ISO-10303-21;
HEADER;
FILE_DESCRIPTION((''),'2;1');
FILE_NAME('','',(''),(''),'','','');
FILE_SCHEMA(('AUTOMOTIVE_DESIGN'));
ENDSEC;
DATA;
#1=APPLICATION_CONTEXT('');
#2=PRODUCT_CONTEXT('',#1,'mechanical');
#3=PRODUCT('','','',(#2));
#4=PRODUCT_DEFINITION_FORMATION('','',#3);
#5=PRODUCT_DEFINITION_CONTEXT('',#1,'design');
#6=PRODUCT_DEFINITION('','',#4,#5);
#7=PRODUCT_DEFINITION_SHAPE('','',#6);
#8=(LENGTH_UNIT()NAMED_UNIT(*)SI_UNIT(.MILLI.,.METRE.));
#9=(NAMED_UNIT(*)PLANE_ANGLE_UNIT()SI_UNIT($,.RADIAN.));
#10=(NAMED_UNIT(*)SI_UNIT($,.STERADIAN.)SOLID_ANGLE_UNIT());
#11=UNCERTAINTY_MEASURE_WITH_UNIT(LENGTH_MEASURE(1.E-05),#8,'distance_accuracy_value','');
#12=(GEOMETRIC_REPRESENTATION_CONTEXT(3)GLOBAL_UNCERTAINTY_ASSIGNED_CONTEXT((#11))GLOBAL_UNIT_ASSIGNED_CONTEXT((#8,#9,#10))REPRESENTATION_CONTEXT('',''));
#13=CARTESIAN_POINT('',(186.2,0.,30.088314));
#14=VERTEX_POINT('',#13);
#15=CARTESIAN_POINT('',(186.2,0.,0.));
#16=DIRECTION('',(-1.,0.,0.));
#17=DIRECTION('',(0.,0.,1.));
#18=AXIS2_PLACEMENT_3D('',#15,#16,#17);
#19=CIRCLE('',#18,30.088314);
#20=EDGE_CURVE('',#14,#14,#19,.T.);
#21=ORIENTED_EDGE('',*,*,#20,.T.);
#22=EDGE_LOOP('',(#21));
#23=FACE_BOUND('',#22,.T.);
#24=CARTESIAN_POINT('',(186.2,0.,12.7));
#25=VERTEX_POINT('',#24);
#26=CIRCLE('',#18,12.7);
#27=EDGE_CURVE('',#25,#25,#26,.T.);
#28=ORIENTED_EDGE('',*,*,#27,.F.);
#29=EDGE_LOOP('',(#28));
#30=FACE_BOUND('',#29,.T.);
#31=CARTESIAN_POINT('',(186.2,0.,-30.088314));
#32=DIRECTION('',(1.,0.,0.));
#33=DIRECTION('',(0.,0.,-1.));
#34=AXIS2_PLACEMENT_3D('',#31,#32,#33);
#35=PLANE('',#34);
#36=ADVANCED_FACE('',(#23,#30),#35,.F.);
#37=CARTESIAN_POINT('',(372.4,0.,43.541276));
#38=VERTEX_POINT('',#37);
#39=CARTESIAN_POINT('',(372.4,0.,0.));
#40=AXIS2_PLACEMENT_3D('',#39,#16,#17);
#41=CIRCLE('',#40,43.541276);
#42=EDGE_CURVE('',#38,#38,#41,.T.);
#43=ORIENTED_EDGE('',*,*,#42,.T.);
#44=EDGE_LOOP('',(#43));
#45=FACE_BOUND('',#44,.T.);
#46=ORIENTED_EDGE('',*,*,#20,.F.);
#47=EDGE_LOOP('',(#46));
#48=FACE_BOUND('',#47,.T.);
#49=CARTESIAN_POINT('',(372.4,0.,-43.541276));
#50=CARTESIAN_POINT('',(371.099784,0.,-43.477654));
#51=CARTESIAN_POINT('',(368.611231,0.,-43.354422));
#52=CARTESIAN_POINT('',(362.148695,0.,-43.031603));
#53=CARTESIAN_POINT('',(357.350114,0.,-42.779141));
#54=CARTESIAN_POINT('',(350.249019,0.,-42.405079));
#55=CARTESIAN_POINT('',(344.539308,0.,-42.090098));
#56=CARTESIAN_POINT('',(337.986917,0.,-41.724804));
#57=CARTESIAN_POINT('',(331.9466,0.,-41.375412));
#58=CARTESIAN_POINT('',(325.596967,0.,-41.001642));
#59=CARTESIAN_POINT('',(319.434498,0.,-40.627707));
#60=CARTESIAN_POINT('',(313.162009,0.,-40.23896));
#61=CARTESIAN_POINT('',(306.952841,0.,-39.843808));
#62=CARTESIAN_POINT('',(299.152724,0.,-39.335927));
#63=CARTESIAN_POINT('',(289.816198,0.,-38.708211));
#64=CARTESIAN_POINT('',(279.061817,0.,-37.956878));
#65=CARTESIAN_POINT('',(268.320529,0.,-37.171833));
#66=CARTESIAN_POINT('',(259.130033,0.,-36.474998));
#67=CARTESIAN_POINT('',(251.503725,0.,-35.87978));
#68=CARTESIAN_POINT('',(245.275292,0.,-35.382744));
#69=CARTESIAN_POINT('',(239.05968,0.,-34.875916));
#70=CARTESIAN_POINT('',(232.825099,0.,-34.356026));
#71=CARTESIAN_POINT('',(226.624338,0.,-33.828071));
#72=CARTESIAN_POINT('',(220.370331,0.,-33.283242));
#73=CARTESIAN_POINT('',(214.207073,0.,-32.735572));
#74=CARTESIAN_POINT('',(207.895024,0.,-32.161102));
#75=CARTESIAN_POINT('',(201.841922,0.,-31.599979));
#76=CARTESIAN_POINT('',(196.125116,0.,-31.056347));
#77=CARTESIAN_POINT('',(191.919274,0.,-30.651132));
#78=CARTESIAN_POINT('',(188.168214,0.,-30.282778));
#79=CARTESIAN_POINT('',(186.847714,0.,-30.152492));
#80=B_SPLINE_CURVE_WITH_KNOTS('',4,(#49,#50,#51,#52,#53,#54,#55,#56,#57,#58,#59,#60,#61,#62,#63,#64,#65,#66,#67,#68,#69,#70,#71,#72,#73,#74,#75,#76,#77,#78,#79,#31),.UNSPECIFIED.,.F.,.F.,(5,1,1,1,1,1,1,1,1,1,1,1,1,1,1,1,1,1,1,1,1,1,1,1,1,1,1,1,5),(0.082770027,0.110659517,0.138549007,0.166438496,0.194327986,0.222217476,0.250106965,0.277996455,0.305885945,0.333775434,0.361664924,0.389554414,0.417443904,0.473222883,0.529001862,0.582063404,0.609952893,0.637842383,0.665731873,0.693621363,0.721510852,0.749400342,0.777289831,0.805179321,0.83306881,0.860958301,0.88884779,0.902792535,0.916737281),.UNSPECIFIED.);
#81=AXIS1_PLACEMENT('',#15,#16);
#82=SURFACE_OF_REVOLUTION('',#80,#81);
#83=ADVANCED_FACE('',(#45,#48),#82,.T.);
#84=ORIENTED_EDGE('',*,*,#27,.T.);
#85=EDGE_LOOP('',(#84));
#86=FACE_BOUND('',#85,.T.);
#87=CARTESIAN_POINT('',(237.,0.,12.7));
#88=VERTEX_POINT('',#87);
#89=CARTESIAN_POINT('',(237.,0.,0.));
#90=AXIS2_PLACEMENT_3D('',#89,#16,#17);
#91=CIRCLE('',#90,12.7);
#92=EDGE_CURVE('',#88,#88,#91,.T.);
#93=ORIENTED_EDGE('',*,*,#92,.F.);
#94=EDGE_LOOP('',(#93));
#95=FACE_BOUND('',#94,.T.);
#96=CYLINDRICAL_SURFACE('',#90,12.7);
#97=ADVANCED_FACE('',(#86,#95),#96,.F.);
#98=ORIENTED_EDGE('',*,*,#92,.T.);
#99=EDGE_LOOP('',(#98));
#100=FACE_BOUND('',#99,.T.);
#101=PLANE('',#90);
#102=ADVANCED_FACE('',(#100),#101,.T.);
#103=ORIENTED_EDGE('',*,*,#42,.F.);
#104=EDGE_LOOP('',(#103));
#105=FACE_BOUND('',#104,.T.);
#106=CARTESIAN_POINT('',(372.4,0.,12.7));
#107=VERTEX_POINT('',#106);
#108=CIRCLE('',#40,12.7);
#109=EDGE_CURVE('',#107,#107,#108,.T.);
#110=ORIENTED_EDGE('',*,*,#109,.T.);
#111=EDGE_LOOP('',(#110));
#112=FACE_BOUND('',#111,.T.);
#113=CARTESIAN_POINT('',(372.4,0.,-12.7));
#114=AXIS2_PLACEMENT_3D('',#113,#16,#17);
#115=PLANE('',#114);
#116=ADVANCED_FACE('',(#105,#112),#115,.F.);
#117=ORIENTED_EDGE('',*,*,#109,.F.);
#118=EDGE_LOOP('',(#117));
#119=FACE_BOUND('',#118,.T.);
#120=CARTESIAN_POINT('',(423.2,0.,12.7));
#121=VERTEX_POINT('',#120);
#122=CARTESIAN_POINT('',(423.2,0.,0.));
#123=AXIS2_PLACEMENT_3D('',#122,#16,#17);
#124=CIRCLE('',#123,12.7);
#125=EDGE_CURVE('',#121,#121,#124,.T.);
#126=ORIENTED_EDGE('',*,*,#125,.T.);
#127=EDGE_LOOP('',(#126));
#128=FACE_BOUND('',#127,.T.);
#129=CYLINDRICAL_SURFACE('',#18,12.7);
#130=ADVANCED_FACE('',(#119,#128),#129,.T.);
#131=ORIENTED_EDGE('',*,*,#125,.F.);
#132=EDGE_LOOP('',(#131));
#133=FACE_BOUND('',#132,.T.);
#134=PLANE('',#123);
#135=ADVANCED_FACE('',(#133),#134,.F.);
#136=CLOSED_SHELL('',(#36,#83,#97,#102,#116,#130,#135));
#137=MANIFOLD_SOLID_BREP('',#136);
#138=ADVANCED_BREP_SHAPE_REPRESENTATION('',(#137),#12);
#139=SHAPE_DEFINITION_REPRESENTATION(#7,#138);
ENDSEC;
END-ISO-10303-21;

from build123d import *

# Parameters (mm, degrees)
SKETCH2_R          = 12.7
CUT_EXTRUDE1_DEPTH = 50.8


with BuildPart() as part:
    # Sketch1 → Revolve1 (revolve)
    with BuildSketch(Plane(origin=(0, 0, 0), x_dir=(1, 0, 0), z_dir=(0, 1, 0)), mode=Mode.PRIVATE) as revolve1_sk:
        with BuildLine():
            Line((186.200000001, 30.088313688), (186.200000001, 0))
            Line((186.200000001, 0), (423.200000001, 0))
            Line((423.200000001, 0), (423.200000001, 12.700000001))
            Line((423.200000001, 12.700000001), (372.400000001, 12.700000001))
            Line((372.400000001, 12.700000001), (372.400000001, 43.541276181))
            add(Edge.make_bspline(
                [(186.200000001, 30.088313688), (186.847714315, 30.152492057), (188.168214127, 30.282777799), (191.919274255, 30.651131842), (196.125115808, 31.056346969), (201.841921663, 31.599979436), (207.89502363, 32.161102357), (214.20707283, 32.735571964), (220.370330952, 33.283242127), (226.624337906, 33.828071245), (232.825098634, 34.356026341), (239.059679793, 34.875915666), (245.275292167, 35.382744259), (251.503725386, 35.879780312), (259.130032911, 36.47499837), (268.320529045, 37.171832554), (279.061816884, 37.956877854), (289.816198167, 38.708210609), (299.152723668, 39.335926683), (306.952841489, 39.843807653), (313.162009425, 40.238960034), (319.434498319, 40.627707013), (325.596967327, 41.001641586), (331.946600138, 41.375412088), (337.986917368, 41.724803954), (344.539308291, 42.090097859), (350.249018575, 42.40507892), (357.350114047, 42.77914072), (362.14869502, 43.031603434), (368.611231025, 43.35442242), (371.099783503, 43.477654205), (372.400000001, 43.541276181)],
                knots=[0.082770027, 0.082770027, 0.082770027, 0.082770027, 0.082770027, 0.096714773, 0.110659518, 0.138549007, 0.166438498, 0.194327987, 0.222217477, 0.250106966, 0.277996456, 0.305885945, 0.333775435, 0.361664925, 0.389554415, 0.417443904, 0.470505446, 0.526284425, 0.582063404, 0.609952894, 0.637842384, 0.665731874, 0.693621363, 0.721510853, 0.749400343, 0.777289832, 0.805179322, 0.833068812, 0.860958301, 0.888847791, 0.916737281, 0.916737281, 0.916737281, 0.916737281, 0.916737281], degree=4))
        make_face()
    revolve(revolve1_sk.sketch.rotate(Axis((186.200000001, 0, 0), (1, 0, 0)), 180), axis=Axis((186.200000001, 0, 0), (1, 0, 0)))

    # Sketch2 → Cut-Extrude1 (cut)
    with BuildSketch(Plane.ZY.offset(-186.200000001)):
        Circle(SKETCH2_R)
    extrude(amount=-CUT_EXTRUDE1_DEPTH, mode=Mode.SUBTRACT)


solid = part.part
